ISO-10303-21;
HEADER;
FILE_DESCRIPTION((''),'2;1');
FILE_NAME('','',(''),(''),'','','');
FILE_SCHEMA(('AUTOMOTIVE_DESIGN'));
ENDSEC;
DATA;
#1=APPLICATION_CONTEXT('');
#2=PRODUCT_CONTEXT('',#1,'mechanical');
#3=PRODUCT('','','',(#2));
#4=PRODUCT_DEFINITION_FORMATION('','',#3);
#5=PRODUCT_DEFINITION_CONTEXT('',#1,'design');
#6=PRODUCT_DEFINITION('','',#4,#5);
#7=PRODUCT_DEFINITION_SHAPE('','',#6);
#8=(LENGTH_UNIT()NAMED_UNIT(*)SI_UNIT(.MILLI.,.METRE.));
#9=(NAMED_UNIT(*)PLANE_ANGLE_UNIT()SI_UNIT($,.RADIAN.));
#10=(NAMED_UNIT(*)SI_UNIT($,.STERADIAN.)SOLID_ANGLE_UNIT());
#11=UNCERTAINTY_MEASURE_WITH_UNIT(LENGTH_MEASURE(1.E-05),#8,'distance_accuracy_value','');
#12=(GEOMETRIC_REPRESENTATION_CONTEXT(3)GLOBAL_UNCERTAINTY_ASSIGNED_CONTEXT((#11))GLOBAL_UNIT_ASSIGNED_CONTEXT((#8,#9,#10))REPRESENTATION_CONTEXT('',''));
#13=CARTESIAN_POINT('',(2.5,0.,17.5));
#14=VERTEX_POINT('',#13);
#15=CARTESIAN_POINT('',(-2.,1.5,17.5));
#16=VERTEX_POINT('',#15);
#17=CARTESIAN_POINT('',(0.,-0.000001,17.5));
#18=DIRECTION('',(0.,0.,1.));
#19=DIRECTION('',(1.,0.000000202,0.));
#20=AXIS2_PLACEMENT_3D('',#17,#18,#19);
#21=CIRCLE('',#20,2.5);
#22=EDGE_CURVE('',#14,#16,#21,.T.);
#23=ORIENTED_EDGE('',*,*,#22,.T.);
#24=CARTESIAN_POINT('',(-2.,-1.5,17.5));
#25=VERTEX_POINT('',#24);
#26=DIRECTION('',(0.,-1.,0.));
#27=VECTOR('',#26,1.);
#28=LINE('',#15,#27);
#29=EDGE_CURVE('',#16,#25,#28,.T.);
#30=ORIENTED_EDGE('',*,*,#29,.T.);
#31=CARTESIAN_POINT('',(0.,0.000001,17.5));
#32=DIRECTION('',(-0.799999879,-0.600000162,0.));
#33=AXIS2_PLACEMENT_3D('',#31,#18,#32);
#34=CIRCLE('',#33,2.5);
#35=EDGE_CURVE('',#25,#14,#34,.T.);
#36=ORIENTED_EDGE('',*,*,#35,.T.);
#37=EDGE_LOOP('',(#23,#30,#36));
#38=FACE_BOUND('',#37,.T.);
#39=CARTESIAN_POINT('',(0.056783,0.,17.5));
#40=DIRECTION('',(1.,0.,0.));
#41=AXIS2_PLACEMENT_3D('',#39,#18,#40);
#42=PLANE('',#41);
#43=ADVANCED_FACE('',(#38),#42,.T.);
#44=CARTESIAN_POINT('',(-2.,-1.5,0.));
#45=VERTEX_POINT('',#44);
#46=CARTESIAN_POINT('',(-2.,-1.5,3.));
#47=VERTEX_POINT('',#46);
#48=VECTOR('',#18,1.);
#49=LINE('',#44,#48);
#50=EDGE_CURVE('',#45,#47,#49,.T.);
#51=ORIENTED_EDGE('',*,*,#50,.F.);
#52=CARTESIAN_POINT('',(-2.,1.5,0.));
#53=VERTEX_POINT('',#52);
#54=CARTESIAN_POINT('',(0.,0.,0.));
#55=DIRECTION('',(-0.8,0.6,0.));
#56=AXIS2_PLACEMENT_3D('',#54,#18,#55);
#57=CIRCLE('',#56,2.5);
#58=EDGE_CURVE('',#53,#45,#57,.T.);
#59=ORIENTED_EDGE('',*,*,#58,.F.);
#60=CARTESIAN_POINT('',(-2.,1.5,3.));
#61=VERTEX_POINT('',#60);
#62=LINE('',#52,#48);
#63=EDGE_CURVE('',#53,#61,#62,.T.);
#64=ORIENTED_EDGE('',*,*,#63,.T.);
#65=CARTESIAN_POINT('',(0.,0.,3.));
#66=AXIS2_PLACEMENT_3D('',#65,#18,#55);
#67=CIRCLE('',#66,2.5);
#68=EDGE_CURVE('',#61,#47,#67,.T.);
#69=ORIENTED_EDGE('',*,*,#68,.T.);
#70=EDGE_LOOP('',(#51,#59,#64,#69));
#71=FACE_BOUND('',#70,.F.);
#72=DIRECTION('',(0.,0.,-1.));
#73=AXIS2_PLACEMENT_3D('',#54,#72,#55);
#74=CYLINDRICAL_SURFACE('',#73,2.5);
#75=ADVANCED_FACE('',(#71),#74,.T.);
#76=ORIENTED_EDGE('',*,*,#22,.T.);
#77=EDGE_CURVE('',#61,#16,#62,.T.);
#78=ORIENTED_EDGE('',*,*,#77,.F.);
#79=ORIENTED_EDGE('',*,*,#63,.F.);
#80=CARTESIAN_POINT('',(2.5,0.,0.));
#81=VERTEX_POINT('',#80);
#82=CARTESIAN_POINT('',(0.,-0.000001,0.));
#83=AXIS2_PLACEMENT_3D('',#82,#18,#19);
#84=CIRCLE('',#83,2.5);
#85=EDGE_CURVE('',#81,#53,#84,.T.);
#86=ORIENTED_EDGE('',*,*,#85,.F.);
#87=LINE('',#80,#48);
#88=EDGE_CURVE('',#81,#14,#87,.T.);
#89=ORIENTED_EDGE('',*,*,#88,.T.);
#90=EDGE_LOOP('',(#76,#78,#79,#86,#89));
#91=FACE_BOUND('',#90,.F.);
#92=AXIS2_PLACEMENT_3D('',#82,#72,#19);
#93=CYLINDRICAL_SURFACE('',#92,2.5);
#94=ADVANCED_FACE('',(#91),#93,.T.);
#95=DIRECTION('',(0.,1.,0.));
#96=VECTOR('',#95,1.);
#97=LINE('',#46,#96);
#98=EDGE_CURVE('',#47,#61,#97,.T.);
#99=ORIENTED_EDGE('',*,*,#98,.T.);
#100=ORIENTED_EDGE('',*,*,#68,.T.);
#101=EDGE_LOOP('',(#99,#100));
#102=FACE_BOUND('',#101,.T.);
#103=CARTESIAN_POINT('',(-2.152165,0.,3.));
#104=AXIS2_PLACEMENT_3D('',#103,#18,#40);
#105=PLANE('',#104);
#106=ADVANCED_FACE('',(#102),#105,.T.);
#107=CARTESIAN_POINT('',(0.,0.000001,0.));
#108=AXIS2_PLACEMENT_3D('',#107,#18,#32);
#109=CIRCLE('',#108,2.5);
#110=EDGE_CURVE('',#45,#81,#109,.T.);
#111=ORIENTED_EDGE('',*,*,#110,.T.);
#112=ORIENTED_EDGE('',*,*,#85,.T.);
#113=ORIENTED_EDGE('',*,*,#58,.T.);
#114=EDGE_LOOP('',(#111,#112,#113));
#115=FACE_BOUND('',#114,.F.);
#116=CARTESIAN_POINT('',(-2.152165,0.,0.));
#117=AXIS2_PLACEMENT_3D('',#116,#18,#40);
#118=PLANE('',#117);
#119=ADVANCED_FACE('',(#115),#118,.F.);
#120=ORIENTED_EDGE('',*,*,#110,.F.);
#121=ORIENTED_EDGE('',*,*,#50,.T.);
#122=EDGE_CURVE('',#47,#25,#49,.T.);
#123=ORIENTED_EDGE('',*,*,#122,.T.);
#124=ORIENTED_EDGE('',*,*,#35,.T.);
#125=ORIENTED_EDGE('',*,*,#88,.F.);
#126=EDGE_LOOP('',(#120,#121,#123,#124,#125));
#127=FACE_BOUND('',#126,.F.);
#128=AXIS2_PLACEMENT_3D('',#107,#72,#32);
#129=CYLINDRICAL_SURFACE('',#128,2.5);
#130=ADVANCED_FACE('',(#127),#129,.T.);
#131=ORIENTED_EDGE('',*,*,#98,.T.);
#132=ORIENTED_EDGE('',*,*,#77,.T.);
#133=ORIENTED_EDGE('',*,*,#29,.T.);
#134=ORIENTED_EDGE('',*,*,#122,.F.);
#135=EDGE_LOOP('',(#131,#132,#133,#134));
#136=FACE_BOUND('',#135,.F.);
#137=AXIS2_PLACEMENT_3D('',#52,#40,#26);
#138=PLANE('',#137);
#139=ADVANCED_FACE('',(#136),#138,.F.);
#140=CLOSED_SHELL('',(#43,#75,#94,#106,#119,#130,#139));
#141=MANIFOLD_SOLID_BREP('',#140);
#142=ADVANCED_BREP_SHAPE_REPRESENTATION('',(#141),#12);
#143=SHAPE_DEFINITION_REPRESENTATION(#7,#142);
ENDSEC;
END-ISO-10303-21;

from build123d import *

# Parameters (mm, degrees)
F1_DEPTH = 17.5
F2_DEPTH = 3


with BuildPart() as f1:
    # F0 (on Top) → F1 (new body)
    with BuildSketch(Plane.XY):
        with BuildLine():
            ThreePointArc((-2, -1.5), (0.790569, -2.371708), (2.5, 0))
            ThreePointArc((2.5, 0), (0.790569, 2.371708), (-2, 1.5))
            Line((-2, 1.5), (-2, -1.5))
        make_face()
    extrude(amount=F1_DEPTH)

    # F0 (on Top) → F2 (join)
    with BuildSketch(Plane.XY):
        with BuildLine():
            Line((-2, -1.5), (-2, 1.5))
            ThreePointArc((-2, 1.5), (-2.5, 0), (-2, -1.5))
        make_face()
    extrude(amount=F2_DEPTH)


solid = f1.part
